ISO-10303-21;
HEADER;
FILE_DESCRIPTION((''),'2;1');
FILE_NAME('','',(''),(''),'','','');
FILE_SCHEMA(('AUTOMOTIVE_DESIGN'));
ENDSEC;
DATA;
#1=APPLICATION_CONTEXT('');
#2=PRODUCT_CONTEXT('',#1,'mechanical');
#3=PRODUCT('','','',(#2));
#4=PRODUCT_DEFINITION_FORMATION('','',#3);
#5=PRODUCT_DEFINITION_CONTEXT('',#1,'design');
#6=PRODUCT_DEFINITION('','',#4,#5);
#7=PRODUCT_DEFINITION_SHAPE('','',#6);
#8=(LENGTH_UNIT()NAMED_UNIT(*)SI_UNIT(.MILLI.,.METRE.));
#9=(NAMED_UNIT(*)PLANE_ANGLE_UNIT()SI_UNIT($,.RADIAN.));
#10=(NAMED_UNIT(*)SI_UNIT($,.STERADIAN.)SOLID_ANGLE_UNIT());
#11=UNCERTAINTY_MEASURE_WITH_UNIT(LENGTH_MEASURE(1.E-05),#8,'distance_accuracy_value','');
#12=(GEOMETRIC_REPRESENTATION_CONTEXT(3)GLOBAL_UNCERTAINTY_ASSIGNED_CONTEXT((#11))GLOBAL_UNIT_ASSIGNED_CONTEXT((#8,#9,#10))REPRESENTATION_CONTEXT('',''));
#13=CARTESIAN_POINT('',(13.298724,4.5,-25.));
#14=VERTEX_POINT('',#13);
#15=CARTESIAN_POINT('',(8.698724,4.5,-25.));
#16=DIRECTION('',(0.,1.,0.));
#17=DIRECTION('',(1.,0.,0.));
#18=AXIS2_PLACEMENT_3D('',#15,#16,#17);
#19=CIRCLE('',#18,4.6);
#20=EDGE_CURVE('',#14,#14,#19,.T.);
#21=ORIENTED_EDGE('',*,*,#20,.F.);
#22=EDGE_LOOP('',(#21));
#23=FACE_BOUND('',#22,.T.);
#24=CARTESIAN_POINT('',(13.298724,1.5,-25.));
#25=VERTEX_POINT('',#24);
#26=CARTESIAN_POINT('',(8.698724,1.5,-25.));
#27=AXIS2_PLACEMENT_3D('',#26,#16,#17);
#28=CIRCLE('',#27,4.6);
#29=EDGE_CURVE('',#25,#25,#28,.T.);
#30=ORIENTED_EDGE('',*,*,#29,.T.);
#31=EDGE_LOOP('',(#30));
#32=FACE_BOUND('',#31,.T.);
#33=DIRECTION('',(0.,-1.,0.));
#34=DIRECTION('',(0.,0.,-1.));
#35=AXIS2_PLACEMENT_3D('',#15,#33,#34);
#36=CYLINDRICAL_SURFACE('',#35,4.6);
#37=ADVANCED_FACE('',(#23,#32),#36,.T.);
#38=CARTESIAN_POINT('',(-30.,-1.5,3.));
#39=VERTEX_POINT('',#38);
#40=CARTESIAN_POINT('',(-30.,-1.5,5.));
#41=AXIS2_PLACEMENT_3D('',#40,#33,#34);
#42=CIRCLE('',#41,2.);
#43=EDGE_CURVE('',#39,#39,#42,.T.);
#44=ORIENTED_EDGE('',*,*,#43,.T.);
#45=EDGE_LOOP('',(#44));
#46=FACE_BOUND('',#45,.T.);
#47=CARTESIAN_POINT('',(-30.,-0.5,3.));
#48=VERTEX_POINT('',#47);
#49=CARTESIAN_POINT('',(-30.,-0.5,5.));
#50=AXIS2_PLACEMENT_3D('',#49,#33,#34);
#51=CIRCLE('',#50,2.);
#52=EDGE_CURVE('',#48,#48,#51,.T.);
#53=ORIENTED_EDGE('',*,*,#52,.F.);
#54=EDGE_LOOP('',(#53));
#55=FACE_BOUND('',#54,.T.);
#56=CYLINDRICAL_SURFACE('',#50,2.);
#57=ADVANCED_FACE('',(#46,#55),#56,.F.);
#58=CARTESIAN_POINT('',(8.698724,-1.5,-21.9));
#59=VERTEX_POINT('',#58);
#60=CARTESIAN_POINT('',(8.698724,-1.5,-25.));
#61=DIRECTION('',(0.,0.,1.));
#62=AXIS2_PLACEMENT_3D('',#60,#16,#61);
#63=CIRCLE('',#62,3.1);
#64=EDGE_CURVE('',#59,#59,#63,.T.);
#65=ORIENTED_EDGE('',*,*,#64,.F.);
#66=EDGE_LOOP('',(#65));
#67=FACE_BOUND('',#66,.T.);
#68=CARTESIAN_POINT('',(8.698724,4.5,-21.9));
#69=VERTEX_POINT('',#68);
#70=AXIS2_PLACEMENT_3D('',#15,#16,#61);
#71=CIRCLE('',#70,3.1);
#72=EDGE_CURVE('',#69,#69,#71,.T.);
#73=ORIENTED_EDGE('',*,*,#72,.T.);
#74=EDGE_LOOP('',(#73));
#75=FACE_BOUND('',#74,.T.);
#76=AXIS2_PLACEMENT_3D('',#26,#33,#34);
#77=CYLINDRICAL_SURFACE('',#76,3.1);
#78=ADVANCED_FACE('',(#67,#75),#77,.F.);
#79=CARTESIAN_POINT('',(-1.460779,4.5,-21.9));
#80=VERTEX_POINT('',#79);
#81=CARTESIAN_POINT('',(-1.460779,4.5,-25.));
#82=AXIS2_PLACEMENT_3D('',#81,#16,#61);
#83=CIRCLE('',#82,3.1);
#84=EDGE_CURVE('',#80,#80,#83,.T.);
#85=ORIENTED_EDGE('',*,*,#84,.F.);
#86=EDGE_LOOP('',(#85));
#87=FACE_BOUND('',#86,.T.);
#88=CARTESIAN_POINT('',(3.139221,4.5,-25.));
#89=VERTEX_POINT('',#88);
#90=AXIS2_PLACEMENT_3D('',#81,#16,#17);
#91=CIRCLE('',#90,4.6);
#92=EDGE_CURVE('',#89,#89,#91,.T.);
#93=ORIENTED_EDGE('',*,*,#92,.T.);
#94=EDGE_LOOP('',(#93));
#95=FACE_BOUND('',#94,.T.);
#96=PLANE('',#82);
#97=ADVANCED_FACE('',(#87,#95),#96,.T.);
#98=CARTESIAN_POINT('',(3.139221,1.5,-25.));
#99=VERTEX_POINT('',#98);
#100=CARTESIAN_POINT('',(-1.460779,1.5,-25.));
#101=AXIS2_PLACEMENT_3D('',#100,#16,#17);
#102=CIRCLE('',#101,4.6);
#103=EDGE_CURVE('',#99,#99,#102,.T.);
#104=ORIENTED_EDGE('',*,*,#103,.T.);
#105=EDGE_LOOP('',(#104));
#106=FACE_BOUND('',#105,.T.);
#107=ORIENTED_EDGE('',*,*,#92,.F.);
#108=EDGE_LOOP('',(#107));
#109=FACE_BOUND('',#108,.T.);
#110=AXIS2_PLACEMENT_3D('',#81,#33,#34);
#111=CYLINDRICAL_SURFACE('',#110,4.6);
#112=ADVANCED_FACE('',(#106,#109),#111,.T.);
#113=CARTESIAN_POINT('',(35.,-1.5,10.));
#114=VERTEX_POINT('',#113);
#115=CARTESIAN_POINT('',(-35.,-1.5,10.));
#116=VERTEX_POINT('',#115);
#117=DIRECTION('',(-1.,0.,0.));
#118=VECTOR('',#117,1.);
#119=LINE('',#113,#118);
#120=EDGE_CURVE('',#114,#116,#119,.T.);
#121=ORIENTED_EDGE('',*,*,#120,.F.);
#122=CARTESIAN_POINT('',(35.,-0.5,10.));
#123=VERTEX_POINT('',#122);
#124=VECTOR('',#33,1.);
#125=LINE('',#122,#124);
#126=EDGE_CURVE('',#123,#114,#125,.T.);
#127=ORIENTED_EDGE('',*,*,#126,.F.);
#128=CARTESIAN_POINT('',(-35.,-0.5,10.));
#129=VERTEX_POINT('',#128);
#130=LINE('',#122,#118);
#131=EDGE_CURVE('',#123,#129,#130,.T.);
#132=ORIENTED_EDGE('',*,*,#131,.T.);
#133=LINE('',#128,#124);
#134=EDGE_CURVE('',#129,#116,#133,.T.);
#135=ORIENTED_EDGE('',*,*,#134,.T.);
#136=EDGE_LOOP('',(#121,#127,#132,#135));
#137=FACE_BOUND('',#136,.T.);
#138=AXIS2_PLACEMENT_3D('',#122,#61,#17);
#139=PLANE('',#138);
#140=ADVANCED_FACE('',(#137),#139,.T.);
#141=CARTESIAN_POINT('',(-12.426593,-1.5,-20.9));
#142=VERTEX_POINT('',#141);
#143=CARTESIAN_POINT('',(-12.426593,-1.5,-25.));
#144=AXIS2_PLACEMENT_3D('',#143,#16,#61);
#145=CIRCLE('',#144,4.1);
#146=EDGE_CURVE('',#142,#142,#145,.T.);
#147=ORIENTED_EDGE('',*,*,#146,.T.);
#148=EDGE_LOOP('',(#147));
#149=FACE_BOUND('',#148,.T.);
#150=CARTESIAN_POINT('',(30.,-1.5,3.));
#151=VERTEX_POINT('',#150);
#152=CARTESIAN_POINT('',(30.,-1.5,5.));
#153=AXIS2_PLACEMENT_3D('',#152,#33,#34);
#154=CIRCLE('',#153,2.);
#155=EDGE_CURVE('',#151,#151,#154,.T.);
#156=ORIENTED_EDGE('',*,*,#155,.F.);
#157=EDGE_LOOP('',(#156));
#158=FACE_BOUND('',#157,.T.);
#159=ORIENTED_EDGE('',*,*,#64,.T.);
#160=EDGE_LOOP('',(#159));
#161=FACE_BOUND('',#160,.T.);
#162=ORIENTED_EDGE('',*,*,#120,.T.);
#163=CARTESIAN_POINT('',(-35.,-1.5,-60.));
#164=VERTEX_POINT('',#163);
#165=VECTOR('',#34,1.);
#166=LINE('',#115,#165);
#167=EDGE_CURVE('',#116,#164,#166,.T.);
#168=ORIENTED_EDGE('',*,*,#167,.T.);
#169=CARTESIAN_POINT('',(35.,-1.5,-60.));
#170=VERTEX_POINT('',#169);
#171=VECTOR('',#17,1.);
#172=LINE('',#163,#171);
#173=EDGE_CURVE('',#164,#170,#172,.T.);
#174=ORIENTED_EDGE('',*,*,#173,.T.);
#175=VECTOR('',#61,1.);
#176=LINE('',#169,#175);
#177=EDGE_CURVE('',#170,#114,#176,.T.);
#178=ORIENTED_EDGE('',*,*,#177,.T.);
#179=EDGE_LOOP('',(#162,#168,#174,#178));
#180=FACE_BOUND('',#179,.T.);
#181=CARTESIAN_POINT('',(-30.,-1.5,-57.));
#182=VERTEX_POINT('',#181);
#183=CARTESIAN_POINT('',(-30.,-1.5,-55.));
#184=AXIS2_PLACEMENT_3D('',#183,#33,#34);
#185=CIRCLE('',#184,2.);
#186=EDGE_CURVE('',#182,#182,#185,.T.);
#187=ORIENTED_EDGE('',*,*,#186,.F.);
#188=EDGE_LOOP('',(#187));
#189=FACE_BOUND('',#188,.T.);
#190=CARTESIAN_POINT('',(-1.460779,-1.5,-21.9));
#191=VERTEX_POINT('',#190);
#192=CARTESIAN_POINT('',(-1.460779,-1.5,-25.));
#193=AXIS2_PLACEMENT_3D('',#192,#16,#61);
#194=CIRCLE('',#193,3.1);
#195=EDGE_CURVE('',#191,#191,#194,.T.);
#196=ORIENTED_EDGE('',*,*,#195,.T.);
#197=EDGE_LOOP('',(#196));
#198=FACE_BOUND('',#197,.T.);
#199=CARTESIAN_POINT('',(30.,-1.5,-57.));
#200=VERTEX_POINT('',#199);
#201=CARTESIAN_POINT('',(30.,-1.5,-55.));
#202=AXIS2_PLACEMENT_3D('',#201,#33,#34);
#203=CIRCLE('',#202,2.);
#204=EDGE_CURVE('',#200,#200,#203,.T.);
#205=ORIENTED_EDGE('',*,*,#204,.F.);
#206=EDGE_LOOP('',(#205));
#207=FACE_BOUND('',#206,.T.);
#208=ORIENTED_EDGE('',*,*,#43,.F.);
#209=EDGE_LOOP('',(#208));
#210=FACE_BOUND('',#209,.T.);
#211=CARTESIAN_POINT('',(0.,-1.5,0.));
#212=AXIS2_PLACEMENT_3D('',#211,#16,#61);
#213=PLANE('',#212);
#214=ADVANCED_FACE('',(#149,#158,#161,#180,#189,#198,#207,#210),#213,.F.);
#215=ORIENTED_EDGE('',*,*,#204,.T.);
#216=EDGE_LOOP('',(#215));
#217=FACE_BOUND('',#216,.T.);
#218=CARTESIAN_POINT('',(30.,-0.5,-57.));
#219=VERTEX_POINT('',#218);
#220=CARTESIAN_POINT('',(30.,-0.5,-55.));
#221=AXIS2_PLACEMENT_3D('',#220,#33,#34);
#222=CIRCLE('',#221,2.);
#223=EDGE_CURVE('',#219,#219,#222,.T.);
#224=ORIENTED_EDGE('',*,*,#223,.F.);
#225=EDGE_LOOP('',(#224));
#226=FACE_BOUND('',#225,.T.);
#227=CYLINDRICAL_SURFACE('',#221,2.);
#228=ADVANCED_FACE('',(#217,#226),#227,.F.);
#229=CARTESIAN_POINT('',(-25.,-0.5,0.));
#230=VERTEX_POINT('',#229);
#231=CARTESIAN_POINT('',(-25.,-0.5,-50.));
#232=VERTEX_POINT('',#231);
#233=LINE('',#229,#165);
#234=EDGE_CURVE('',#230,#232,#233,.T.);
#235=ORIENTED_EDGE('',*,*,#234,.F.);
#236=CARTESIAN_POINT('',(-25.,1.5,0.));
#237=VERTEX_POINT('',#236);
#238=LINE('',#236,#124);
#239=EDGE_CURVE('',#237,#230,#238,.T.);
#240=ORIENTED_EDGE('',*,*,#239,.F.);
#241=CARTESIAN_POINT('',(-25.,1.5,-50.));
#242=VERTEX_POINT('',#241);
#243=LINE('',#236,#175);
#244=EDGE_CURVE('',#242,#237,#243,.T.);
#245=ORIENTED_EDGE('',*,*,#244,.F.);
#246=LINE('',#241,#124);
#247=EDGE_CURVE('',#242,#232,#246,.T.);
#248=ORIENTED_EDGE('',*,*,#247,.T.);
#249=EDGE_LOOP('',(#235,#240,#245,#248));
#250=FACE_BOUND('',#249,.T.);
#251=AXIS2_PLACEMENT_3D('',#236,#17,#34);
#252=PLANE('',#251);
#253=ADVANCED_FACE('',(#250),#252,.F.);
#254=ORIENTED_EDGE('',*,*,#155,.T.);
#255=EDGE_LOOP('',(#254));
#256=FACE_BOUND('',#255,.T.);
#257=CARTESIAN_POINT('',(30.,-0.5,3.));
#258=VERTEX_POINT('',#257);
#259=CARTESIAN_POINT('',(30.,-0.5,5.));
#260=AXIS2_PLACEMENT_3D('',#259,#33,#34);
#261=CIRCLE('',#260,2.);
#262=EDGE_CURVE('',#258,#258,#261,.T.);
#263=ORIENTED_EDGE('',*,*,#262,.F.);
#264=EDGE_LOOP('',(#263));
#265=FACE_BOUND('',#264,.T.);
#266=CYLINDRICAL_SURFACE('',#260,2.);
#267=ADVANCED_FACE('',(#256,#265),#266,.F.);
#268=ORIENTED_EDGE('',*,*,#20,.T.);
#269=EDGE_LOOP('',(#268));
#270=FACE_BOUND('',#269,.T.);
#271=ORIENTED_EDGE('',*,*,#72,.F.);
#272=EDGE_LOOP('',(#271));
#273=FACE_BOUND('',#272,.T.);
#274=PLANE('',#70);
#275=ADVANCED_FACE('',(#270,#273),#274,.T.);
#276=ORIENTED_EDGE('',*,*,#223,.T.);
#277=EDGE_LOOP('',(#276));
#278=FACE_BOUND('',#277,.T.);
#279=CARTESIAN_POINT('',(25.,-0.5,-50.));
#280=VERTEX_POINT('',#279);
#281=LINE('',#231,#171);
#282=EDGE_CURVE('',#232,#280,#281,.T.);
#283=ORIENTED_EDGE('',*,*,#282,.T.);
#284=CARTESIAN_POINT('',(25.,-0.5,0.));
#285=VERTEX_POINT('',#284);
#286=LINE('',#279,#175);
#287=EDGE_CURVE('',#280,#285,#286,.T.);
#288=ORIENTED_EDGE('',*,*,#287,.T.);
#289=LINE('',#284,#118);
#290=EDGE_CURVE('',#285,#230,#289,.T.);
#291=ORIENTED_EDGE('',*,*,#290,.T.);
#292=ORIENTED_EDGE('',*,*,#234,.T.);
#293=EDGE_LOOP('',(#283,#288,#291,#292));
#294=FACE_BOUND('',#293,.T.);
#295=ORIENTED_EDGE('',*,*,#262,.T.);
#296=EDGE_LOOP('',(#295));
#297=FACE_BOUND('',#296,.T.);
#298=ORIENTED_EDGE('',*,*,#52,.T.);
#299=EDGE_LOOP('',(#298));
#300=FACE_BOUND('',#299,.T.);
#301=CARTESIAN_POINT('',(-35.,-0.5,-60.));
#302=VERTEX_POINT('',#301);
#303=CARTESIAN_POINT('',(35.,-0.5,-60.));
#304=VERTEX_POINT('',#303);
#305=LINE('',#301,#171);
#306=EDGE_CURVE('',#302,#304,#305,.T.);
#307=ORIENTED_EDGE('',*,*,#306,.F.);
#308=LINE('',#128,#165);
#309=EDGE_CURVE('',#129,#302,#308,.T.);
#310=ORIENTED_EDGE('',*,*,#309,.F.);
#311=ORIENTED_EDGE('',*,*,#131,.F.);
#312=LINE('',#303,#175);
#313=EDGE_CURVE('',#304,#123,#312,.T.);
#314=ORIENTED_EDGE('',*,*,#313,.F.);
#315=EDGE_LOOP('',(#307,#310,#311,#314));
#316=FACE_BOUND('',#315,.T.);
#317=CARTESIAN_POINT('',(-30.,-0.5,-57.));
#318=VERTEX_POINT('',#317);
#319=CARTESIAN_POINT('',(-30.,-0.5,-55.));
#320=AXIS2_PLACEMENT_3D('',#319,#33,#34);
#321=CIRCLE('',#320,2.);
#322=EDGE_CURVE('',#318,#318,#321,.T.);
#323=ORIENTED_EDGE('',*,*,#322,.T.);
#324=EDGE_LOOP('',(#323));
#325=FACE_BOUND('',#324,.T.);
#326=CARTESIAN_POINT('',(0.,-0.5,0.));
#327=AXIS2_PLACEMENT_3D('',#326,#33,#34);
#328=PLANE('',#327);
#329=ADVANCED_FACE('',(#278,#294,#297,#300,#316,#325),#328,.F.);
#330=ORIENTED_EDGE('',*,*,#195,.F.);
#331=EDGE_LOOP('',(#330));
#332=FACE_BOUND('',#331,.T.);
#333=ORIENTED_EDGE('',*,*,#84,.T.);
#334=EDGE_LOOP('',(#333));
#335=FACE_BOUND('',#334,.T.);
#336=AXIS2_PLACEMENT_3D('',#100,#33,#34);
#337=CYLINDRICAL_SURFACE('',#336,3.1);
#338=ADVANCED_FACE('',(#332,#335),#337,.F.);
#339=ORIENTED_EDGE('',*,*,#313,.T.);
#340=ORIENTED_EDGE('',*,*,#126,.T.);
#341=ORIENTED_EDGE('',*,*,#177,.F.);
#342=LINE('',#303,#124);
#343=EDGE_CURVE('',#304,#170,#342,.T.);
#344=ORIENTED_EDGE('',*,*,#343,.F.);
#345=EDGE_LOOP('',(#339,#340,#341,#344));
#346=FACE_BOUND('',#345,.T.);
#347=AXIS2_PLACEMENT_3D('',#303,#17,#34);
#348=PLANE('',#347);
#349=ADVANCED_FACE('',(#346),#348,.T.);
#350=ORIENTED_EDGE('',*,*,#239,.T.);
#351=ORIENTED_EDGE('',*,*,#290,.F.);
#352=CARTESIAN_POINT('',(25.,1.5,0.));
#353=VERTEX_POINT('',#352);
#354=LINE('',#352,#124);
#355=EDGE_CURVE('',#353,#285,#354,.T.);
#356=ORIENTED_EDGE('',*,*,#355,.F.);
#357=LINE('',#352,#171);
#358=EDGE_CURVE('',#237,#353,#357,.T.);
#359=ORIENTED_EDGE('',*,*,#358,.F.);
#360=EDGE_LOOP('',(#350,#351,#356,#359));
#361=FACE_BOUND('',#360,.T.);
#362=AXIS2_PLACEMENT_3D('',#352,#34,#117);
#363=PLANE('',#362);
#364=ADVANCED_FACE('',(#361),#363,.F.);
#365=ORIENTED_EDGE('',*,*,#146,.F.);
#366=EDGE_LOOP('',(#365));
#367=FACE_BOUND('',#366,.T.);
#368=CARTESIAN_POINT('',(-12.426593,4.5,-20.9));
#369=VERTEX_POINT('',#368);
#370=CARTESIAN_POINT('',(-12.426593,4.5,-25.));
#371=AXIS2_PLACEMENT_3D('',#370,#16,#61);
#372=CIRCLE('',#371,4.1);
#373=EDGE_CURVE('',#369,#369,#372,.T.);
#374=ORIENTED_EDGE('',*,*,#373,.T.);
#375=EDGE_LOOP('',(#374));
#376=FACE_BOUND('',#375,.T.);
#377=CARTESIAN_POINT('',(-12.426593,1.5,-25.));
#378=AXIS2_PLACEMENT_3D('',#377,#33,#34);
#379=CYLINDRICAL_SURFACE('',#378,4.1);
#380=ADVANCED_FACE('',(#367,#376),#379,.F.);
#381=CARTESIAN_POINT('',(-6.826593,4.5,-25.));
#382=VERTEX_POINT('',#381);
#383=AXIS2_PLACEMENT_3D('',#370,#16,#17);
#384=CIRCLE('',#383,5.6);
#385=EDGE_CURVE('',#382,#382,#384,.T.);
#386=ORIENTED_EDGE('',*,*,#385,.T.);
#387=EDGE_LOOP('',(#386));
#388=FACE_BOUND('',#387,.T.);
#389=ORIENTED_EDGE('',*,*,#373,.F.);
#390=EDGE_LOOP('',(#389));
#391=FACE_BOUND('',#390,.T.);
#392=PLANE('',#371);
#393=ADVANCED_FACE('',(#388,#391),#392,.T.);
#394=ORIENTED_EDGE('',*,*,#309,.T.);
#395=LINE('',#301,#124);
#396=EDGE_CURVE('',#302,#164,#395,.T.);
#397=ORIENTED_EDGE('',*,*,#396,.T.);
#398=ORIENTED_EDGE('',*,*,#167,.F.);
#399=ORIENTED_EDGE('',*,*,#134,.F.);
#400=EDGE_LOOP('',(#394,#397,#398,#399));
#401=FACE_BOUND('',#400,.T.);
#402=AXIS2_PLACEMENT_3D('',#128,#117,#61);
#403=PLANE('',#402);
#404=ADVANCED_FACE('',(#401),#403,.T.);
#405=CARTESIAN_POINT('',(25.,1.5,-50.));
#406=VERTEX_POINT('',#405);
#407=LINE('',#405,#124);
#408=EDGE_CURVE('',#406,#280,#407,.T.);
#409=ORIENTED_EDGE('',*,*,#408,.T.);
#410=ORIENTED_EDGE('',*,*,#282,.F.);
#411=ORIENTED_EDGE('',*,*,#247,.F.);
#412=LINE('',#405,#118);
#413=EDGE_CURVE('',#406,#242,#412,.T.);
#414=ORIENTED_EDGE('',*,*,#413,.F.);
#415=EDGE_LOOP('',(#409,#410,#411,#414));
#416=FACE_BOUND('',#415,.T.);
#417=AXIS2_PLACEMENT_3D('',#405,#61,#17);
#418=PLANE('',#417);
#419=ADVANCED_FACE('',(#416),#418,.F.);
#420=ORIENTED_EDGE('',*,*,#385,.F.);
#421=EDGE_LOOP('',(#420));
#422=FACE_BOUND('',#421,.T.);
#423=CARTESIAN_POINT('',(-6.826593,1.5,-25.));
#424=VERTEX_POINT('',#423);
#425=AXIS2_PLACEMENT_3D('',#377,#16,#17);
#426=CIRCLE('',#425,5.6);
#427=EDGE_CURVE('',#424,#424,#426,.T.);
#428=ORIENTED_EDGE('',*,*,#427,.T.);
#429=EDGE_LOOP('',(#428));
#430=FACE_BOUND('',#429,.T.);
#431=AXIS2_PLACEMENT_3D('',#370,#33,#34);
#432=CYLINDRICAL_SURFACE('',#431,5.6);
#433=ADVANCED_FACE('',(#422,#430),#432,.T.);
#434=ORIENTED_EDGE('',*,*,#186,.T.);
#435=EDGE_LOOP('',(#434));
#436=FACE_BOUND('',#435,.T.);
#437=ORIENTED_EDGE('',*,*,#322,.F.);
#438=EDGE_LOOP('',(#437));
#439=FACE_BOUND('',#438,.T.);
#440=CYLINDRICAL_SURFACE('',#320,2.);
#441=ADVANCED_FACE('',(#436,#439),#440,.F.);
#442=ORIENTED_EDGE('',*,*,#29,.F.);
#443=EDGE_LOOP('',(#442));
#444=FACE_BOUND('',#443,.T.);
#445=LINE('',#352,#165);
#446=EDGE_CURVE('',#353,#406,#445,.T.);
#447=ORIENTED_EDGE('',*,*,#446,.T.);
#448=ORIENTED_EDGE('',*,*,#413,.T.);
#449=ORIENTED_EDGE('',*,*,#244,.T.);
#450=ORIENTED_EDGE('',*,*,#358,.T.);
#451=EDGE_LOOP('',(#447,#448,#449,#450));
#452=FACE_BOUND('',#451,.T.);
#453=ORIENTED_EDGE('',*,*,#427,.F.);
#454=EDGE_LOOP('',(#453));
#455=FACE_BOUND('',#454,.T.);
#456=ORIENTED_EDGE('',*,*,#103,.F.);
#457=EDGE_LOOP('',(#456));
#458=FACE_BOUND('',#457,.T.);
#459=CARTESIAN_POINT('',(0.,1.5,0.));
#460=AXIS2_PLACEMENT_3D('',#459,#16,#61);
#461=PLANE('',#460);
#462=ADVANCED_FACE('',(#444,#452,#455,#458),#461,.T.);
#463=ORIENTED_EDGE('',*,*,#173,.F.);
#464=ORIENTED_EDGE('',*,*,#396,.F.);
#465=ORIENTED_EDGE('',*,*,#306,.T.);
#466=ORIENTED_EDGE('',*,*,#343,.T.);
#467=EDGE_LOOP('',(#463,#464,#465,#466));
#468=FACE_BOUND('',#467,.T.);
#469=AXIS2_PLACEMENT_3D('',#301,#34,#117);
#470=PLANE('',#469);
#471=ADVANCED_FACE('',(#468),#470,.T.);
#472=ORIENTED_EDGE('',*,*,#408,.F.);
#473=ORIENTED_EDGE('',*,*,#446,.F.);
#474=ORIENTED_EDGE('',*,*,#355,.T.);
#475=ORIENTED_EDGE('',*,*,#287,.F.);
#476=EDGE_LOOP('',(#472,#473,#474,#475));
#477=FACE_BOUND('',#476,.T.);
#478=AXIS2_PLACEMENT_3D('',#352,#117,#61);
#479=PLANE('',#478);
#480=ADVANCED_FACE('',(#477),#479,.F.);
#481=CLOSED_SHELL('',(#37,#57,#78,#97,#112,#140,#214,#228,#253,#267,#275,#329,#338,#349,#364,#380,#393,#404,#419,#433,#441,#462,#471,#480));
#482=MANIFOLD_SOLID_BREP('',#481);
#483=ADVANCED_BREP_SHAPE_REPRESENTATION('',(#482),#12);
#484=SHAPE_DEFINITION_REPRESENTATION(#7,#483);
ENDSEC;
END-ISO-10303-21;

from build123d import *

# Parameters (mm, degrees)
SKETCH1_W           = 50
SKETCH1_H           = 50
SKETCH1_R           = 4.1
SKETCH1_R_2         = 3.1
BOSS_EXTRUDE1_DEPTH = 1.5
SKETCH2_R           = 5.6
SKETCH2_R_2         = 4.1
SKETCH2_R_3         = 4.6
SKETCH2_R_4         = 3.1
EXTRUDE_THIN1_DEPTH = 3
SKETCH3_W           = 70
SKETCH3_H           = 70
SKETCH3_R           = 2
SKETCH3_W_2         = 50
SKETCH3_H_2         = 50
BOSS_EXTRUDE2_DEPTH = 1


with BuildPart() as part:
    # Sketch1 → Boss-Extrude1 (new, symmetric)
    with BuildSketch(Plane(origin=(0, 0, 0), x_dir=(1, 0, 0), z_dir=(0, 1, 0))):
        with Locations((0, 25)):
            Rectangle(SKETCH1_W, SKETCH1_H)
        with Locations(Location((-12.426592672, 25, 0), (0, 0, 270))):
            Circle(SKETCH1_R, mode=Mode.SUBTRACT)
        with Locations(Location((-1.460779325, 25, 0), (0, 0, 270))):
            Circle(SKETCH1_R_2, mode=Mode.SUBTRACT)
        with Locations(Location((8.698724218, 25, 0), (0, 0, 270))):
            Circle(SKETCH1_R_2, mode=Mode.SUBTRACT)
    extrude(amount=BOSS_EXTRUDE1_DEPTH, both=True)

    # Sketch2 → Extrude-Thin1 (add)
    # profile 1 of 3: a face of its own
    with BuildSketch(Plane(origin=(0, 1.5, 0), x_dir=(1, 0, 0), z_dir=(0, 1, 0))):
        with Locations((-12.426592672, 25)):
            Circle(SKETCH2_R)
        with Locations((-12.426592672, 25)):
            Circle(SKETCH2_R_2, mode=Mode.SUBTRACT)
    # profile 2 of 3: a face of its own
    with BuildSketch(Plane(origin=(0, 1.5, 0), x_dir=(1, 0, 0), z_dir=(0, 1, 0))):
        with Locations((8.698724218, 25)):
            Circle(SKETCH2_R_3)
        with Locations((8.698724218, 25)):
            Circle(SKETCH2_R_4, mode=Mode.SUBTRACT)
    # profile 3 of 3: a face of its own
    with BuildSketch(Plane(origin=(0, 1.5, 0), x_dir=(1, 0, 0), z_dir=(0, 1, 0))):
        with Locations((-1.460779325, 25)):
            Circle(SKETCH2_R_3)
        with Locations((-1.460779325, 25)):
            Circle(SKETCH2_R_4, mode=Mode.SUBTRACT)
    extrude(amount=EXTRUDE_THIN1_DEPTH)

    # Sketch3 → Boss-Extrude2 (add)
    with BuildSketch(Plane.XZ.offset(1.5)):
        with Locations((0, -25)):
            Rectangle(SKETCH3_W, SKETCH3_H)
        with Locations(Location((-30, 5, 0), (0, 0, 270))):
            Circle(SKETCH3_R, mode=Mode.SUBTRACT)
        with Locations(Location((30, 5, 0), (0, 0, 270))):
            Circle(SKETCH3_R, mode=Mode.SUBTRACT)
        with Locations(Location((30, -55, 0), (0, 0, 270))):
            Circle(SKETCH3_R, mode=Mode.SUBTRACT)
        with Locations(Location((-30, -55, 0), (0, 0, 270))):
            Circle(SKETCH3_R, mode=Mode.SUBTRACT)
        with Locations((0, -25)):
            Rectangle(SKETCH3_W_2, SKETCH3_H_2, mode=Mode.SUBTRACT)
    extrude(amount=-BOSS_EXTRUDE2_DEPTH)


solid = part.part
